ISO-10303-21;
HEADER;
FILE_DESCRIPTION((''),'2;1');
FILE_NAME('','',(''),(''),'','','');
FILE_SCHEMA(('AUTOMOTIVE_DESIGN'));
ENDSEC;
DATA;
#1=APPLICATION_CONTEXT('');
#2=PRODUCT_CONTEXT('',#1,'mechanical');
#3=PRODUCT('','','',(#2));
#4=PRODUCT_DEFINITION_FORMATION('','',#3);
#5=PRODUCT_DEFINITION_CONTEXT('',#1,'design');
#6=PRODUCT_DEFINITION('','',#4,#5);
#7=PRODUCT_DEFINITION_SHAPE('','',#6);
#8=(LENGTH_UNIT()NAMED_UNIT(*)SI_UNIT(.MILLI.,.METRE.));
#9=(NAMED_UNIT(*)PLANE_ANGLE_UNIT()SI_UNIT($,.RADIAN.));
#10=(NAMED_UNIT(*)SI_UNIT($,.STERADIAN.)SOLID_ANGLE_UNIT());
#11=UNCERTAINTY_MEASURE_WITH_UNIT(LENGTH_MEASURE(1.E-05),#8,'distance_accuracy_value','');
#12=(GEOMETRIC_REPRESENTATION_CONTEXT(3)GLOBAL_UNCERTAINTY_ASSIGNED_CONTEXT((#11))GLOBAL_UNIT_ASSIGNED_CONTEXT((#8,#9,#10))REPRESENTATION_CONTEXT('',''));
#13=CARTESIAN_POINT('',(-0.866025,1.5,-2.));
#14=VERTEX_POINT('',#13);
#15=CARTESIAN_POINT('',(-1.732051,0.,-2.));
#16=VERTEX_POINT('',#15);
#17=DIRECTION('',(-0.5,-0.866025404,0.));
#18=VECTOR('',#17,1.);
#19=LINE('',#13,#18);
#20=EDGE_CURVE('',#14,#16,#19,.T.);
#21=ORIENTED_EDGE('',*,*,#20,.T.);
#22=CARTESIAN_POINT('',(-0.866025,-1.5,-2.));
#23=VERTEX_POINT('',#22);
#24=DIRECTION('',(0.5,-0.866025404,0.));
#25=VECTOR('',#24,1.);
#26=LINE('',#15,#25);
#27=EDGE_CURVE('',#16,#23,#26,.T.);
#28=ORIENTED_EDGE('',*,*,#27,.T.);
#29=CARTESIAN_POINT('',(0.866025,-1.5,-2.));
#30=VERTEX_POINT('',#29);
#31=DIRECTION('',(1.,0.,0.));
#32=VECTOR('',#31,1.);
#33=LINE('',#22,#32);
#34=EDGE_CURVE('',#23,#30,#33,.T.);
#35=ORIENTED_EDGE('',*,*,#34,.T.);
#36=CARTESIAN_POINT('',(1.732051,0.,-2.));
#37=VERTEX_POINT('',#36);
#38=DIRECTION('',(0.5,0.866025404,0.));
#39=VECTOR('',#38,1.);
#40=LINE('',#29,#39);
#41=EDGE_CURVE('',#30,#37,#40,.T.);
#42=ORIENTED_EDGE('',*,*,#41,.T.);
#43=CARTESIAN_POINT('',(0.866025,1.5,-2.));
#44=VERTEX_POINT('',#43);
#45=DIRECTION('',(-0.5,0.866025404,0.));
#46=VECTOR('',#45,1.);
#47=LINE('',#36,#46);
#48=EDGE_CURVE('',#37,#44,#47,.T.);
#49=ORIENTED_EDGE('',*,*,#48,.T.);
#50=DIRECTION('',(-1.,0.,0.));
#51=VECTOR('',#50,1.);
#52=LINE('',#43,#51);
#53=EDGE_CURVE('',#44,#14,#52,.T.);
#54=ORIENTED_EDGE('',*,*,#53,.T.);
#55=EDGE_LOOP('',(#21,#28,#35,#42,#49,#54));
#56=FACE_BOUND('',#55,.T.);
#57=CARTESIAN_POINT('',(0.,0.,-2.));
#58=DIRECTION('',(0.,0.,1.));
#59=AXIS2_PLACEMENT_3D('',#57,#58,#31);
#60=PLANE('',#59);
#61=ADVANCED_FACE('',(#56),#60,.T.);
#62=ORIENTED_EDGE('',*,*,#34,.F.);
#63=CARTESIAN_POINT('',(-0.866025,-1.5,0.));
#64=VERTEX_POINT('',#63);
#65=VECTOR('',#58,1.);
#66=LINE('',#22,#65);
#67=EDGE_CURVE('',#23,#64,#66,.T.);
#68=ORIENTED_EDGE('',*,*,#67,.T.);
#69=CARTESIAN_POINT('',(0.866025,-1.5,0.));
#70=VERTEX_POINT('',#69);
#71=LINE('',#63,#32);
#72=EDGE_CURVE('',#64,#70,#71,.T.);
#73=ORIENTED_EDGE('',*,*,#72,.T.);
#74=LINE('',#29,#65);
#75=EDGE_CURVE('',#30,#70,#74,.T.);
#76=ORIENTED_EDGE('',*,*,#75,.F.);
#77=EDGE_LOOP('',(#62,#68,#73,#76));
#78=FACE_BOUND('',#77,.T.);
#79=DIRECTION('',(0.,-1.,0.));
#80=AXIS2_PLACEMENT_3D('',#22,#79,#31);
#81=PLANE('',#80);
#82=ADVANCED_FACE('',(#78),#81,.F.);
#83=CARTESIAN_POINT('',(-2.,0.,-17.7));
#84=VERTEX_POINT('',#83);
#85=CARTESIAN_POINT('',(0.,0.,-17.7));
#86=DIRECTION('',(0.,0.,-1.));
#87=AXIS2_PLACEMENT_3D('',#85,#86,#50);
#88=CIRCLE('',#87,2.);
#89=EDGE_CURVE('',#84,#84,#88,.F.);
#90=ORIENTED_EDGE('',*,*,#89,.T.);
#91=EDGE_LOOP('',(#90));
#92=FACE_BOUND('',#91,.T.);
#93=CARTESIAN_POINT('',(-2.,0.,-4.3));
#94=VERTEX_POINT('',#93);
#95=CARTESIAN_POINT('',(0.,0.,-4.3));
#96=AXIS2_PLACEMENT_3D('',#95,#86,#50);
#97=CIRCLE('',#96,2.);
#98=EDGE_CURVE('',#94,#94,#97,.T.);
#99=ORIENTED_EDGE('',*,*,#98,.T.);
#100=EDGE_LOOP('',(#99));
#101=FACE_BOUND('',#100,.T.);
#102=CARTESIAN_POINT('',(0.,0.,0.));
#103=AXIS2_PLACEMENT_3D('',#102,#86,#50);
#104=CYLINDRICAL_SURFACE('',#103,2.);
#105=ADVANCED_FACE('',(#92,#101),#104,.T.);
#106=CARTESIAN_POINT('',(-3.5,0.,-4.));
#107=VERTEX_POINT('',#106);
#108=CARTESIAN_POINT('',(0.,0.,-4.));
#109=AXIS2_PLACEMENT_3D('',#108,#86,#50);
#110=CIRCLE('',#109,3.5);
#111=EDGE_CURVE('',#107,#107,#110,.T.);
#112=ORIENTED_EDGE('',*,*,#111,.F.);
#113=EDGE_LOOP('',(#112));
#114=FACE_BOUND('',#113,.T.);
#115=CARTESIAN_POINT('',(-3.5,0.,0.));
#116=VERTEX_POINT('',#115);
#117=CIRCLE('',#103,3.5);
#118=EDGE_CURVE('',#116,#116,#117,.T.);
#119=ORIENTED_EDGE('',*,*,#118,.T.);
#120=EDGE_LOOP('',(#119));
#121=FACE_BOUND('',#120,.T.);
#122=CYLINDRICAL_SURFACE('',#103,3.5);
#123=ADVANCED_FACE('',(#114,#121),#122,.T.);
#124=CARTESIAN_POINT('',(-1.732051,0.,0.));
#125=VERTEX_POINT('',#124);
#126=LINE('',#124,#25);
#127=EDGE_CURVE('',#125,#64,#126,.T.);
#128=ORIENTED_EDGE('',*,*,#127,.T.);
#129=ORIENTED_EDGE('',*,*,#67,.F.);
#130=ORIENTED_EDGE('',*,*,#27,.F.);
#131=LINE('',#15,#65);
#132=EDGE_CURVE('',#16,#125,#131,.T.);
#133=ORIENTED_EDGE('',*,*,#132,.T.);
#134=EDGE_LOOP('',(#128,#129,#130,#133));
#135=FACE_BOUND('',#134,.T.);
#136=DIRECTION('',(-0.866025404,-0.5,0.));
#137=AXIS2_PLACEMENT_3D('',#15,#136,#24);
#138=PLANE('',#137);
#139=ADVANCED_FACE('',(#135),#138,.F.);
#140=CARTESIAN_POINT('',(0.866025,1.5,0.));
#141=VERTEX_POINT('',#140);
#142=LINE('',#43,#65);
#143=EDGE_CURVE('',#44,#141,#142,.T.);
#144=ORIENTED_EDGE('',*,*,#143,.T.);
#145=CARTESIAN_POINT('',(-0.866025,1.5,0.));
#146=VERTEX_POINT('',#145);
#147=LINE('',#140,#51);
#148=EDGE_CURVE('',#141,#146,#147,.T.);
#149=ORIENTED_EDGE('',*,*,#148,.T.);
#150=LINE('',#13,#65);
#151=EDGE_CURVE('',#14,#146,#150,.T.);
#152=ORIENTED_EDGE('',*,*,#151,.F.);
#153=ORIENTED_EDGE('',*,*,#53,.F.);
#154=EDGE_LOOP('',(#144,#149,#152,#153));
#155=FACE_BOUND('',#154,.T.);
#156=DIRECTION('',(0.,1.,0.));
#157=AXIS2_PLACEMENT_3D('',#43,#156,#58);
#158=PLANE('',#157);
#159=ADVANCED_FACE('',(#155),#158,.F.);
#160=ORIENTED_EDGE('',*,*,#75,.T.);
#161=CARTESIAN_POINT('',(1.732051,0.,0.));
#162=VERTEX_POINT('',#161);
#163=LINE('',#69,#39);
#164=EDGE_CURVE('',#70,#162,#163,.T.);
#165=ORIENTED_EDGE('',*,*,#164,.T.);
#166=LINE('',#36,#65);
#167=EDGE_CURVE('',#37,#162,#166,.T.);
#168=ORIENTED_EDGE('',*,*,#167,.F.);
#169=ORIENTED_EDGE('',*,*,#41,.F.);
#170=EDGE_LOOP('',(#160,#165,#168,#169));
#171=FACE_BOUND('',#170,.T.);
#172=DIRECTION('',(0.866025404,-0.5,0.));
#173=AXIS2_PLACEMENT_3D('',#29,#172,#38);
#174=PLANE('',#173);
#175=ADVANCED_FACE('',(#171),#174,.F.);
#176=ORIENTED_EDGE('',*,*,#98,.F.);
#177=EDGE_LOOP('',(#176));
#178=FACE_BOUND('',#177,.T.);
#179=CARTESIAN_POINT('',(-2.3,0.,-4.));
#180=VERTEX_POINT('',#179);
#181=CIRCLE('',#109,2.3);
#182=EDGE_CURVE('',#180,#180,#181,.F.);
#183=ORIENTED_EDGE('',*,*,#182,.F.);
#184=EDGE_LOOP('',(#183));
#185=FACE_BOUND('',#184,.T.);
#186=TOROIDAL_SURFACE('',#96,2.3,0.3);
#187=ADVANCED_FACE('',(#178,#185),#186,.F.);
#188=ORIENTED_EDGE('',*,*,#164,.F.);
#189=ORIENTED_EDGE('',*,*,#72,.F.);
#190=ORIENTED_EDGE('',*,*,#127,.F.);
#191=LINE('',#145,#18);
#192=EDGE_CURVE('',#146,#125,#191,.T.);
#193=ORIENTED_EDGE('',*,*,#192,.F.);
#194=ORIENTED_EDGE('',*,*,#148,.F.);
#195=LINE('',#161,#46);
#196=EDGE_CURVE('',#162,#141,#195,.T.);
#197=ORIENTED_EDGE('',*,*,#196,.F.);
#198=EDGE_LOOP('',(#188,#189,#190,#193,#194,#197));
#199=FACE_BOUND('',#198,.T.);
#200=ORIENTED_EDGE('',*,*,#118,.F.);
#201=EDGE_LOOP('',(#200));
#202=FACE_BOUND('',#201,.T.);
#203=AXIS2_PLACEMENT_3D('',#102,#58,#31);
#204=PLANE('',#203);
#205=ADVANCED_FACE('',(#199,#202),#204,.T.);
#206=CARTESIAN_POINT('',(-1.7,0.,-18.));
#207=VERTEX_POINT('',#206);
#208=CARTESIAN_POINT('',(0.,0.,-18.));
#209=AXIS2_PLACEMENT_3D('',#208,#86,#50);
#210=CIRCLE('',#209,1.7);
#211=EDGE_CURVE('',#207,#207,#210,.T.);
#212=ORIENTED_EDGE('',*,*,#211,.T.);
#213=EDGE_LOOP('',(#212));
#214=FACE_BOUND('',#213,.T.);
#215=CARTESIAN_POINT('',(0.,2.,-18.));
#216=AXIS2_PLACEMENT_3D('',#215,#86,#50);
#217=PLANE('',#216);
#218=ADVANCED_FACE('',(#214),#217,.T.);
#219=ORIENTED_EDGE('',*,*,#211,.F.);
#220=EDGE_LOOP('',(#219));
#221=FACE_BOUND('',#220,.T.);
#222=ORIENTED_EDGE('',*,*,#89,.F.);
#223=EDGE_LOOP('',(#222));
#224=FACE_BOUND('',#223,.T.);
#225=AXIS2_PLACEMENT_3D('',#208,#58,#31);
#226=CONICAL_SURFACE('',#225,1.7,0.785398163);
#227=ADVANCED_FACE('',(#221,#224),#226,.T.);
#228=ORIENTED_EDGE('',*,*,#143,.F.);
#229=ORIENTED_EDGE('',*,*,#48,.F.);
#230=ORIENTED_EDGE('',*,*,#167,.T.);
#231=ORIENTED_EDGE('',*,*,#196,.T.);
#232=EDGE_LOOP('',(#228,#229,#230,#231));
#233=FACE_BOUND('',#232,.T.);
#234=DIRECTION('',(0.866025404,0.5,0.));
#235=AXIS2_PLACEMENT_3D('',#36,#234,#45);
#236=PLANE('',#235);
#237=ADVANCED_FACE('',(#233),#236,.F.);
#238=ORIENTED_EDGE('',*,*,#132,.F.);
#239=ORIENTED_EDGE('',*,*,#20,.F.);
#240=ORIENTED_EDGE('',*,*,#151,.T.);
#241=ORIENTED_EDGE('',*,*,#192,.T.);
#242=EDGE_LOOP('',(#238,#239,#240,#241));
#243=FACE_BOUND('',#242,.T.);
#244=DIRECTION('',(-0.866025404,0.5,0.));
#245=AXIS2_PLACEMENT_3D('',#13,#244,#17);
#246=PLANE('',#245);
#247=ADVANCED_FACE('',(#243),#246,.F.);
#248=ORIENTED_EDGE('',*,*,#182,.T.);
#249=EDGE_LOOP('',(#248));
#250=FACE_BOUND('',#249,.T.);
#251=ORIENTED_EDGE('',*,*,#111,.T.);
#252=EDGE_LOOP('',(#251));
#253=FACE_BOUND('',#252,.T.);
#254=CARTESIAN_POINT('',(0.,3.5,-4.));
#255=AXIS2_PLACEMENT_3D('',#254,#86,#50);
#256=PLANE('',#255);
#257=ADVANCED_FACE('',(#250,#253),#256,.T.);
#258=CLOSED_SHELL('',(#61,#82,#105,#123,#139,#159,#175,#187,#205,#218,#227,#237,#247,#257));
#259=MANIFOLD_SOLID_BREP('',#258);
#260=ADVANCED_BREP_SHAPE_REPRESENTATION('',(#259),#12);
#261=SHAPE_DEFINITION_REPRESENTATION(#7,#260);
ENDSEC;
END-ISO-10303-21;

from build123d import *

# Parameters (mm, degrees)
CUT_EXTRUDE_1_DEPTH = 2
FILLET_1_R          = 0.3
CHAMFER_1_SIZE      = 0.3


with BuildPart() as part:
    # Эскиз1 → Повернуть1 (revolve)
    with BuildSketch(Plane(origin=(0, 0, 0), x_dir=(0, 0, -1), z_dir=(1, 0, 0))):
        Polygon((0, 0), (0, 3.5), (4, 3.5), (4, 2), (18, 2), (18, 0), align=None)
    revolve(axis=Axis((0, 0, 0), (0, 0, 1)))

    # Эскиз2 → Вырез-Вытянуть1 (cut)
    with BuildSketch(Plane.XY):
        Polygon((1.732050808, 0), (0.866025404, 1.5), (-0.866025404, 1.5), (-1.732050808, 0), (-0.866025404, -1.5), (0.866025404, -1.5), align=None)
    extrude(amount=-CUT_EXTRUDE_1_DEPTH, mode=Mode.SUBTRACT)

    # Скругление1
    fillet_1_edges = [part.edges().sort_by_distance(p)[0] for p in [
        (0, -2, -4),
    ]]
    fillet(fillet_1_edges, radius=FILLET_1_R)

    # Фаска1
    chamfer_1_edges = [part.edges().sort_by_distance(p)[0] for p in [
        (0, -2, -18),
    ]]
    chamfer(chamfer_1_edges, length=CHAMFER_1_SIZE)


solid = part.part
